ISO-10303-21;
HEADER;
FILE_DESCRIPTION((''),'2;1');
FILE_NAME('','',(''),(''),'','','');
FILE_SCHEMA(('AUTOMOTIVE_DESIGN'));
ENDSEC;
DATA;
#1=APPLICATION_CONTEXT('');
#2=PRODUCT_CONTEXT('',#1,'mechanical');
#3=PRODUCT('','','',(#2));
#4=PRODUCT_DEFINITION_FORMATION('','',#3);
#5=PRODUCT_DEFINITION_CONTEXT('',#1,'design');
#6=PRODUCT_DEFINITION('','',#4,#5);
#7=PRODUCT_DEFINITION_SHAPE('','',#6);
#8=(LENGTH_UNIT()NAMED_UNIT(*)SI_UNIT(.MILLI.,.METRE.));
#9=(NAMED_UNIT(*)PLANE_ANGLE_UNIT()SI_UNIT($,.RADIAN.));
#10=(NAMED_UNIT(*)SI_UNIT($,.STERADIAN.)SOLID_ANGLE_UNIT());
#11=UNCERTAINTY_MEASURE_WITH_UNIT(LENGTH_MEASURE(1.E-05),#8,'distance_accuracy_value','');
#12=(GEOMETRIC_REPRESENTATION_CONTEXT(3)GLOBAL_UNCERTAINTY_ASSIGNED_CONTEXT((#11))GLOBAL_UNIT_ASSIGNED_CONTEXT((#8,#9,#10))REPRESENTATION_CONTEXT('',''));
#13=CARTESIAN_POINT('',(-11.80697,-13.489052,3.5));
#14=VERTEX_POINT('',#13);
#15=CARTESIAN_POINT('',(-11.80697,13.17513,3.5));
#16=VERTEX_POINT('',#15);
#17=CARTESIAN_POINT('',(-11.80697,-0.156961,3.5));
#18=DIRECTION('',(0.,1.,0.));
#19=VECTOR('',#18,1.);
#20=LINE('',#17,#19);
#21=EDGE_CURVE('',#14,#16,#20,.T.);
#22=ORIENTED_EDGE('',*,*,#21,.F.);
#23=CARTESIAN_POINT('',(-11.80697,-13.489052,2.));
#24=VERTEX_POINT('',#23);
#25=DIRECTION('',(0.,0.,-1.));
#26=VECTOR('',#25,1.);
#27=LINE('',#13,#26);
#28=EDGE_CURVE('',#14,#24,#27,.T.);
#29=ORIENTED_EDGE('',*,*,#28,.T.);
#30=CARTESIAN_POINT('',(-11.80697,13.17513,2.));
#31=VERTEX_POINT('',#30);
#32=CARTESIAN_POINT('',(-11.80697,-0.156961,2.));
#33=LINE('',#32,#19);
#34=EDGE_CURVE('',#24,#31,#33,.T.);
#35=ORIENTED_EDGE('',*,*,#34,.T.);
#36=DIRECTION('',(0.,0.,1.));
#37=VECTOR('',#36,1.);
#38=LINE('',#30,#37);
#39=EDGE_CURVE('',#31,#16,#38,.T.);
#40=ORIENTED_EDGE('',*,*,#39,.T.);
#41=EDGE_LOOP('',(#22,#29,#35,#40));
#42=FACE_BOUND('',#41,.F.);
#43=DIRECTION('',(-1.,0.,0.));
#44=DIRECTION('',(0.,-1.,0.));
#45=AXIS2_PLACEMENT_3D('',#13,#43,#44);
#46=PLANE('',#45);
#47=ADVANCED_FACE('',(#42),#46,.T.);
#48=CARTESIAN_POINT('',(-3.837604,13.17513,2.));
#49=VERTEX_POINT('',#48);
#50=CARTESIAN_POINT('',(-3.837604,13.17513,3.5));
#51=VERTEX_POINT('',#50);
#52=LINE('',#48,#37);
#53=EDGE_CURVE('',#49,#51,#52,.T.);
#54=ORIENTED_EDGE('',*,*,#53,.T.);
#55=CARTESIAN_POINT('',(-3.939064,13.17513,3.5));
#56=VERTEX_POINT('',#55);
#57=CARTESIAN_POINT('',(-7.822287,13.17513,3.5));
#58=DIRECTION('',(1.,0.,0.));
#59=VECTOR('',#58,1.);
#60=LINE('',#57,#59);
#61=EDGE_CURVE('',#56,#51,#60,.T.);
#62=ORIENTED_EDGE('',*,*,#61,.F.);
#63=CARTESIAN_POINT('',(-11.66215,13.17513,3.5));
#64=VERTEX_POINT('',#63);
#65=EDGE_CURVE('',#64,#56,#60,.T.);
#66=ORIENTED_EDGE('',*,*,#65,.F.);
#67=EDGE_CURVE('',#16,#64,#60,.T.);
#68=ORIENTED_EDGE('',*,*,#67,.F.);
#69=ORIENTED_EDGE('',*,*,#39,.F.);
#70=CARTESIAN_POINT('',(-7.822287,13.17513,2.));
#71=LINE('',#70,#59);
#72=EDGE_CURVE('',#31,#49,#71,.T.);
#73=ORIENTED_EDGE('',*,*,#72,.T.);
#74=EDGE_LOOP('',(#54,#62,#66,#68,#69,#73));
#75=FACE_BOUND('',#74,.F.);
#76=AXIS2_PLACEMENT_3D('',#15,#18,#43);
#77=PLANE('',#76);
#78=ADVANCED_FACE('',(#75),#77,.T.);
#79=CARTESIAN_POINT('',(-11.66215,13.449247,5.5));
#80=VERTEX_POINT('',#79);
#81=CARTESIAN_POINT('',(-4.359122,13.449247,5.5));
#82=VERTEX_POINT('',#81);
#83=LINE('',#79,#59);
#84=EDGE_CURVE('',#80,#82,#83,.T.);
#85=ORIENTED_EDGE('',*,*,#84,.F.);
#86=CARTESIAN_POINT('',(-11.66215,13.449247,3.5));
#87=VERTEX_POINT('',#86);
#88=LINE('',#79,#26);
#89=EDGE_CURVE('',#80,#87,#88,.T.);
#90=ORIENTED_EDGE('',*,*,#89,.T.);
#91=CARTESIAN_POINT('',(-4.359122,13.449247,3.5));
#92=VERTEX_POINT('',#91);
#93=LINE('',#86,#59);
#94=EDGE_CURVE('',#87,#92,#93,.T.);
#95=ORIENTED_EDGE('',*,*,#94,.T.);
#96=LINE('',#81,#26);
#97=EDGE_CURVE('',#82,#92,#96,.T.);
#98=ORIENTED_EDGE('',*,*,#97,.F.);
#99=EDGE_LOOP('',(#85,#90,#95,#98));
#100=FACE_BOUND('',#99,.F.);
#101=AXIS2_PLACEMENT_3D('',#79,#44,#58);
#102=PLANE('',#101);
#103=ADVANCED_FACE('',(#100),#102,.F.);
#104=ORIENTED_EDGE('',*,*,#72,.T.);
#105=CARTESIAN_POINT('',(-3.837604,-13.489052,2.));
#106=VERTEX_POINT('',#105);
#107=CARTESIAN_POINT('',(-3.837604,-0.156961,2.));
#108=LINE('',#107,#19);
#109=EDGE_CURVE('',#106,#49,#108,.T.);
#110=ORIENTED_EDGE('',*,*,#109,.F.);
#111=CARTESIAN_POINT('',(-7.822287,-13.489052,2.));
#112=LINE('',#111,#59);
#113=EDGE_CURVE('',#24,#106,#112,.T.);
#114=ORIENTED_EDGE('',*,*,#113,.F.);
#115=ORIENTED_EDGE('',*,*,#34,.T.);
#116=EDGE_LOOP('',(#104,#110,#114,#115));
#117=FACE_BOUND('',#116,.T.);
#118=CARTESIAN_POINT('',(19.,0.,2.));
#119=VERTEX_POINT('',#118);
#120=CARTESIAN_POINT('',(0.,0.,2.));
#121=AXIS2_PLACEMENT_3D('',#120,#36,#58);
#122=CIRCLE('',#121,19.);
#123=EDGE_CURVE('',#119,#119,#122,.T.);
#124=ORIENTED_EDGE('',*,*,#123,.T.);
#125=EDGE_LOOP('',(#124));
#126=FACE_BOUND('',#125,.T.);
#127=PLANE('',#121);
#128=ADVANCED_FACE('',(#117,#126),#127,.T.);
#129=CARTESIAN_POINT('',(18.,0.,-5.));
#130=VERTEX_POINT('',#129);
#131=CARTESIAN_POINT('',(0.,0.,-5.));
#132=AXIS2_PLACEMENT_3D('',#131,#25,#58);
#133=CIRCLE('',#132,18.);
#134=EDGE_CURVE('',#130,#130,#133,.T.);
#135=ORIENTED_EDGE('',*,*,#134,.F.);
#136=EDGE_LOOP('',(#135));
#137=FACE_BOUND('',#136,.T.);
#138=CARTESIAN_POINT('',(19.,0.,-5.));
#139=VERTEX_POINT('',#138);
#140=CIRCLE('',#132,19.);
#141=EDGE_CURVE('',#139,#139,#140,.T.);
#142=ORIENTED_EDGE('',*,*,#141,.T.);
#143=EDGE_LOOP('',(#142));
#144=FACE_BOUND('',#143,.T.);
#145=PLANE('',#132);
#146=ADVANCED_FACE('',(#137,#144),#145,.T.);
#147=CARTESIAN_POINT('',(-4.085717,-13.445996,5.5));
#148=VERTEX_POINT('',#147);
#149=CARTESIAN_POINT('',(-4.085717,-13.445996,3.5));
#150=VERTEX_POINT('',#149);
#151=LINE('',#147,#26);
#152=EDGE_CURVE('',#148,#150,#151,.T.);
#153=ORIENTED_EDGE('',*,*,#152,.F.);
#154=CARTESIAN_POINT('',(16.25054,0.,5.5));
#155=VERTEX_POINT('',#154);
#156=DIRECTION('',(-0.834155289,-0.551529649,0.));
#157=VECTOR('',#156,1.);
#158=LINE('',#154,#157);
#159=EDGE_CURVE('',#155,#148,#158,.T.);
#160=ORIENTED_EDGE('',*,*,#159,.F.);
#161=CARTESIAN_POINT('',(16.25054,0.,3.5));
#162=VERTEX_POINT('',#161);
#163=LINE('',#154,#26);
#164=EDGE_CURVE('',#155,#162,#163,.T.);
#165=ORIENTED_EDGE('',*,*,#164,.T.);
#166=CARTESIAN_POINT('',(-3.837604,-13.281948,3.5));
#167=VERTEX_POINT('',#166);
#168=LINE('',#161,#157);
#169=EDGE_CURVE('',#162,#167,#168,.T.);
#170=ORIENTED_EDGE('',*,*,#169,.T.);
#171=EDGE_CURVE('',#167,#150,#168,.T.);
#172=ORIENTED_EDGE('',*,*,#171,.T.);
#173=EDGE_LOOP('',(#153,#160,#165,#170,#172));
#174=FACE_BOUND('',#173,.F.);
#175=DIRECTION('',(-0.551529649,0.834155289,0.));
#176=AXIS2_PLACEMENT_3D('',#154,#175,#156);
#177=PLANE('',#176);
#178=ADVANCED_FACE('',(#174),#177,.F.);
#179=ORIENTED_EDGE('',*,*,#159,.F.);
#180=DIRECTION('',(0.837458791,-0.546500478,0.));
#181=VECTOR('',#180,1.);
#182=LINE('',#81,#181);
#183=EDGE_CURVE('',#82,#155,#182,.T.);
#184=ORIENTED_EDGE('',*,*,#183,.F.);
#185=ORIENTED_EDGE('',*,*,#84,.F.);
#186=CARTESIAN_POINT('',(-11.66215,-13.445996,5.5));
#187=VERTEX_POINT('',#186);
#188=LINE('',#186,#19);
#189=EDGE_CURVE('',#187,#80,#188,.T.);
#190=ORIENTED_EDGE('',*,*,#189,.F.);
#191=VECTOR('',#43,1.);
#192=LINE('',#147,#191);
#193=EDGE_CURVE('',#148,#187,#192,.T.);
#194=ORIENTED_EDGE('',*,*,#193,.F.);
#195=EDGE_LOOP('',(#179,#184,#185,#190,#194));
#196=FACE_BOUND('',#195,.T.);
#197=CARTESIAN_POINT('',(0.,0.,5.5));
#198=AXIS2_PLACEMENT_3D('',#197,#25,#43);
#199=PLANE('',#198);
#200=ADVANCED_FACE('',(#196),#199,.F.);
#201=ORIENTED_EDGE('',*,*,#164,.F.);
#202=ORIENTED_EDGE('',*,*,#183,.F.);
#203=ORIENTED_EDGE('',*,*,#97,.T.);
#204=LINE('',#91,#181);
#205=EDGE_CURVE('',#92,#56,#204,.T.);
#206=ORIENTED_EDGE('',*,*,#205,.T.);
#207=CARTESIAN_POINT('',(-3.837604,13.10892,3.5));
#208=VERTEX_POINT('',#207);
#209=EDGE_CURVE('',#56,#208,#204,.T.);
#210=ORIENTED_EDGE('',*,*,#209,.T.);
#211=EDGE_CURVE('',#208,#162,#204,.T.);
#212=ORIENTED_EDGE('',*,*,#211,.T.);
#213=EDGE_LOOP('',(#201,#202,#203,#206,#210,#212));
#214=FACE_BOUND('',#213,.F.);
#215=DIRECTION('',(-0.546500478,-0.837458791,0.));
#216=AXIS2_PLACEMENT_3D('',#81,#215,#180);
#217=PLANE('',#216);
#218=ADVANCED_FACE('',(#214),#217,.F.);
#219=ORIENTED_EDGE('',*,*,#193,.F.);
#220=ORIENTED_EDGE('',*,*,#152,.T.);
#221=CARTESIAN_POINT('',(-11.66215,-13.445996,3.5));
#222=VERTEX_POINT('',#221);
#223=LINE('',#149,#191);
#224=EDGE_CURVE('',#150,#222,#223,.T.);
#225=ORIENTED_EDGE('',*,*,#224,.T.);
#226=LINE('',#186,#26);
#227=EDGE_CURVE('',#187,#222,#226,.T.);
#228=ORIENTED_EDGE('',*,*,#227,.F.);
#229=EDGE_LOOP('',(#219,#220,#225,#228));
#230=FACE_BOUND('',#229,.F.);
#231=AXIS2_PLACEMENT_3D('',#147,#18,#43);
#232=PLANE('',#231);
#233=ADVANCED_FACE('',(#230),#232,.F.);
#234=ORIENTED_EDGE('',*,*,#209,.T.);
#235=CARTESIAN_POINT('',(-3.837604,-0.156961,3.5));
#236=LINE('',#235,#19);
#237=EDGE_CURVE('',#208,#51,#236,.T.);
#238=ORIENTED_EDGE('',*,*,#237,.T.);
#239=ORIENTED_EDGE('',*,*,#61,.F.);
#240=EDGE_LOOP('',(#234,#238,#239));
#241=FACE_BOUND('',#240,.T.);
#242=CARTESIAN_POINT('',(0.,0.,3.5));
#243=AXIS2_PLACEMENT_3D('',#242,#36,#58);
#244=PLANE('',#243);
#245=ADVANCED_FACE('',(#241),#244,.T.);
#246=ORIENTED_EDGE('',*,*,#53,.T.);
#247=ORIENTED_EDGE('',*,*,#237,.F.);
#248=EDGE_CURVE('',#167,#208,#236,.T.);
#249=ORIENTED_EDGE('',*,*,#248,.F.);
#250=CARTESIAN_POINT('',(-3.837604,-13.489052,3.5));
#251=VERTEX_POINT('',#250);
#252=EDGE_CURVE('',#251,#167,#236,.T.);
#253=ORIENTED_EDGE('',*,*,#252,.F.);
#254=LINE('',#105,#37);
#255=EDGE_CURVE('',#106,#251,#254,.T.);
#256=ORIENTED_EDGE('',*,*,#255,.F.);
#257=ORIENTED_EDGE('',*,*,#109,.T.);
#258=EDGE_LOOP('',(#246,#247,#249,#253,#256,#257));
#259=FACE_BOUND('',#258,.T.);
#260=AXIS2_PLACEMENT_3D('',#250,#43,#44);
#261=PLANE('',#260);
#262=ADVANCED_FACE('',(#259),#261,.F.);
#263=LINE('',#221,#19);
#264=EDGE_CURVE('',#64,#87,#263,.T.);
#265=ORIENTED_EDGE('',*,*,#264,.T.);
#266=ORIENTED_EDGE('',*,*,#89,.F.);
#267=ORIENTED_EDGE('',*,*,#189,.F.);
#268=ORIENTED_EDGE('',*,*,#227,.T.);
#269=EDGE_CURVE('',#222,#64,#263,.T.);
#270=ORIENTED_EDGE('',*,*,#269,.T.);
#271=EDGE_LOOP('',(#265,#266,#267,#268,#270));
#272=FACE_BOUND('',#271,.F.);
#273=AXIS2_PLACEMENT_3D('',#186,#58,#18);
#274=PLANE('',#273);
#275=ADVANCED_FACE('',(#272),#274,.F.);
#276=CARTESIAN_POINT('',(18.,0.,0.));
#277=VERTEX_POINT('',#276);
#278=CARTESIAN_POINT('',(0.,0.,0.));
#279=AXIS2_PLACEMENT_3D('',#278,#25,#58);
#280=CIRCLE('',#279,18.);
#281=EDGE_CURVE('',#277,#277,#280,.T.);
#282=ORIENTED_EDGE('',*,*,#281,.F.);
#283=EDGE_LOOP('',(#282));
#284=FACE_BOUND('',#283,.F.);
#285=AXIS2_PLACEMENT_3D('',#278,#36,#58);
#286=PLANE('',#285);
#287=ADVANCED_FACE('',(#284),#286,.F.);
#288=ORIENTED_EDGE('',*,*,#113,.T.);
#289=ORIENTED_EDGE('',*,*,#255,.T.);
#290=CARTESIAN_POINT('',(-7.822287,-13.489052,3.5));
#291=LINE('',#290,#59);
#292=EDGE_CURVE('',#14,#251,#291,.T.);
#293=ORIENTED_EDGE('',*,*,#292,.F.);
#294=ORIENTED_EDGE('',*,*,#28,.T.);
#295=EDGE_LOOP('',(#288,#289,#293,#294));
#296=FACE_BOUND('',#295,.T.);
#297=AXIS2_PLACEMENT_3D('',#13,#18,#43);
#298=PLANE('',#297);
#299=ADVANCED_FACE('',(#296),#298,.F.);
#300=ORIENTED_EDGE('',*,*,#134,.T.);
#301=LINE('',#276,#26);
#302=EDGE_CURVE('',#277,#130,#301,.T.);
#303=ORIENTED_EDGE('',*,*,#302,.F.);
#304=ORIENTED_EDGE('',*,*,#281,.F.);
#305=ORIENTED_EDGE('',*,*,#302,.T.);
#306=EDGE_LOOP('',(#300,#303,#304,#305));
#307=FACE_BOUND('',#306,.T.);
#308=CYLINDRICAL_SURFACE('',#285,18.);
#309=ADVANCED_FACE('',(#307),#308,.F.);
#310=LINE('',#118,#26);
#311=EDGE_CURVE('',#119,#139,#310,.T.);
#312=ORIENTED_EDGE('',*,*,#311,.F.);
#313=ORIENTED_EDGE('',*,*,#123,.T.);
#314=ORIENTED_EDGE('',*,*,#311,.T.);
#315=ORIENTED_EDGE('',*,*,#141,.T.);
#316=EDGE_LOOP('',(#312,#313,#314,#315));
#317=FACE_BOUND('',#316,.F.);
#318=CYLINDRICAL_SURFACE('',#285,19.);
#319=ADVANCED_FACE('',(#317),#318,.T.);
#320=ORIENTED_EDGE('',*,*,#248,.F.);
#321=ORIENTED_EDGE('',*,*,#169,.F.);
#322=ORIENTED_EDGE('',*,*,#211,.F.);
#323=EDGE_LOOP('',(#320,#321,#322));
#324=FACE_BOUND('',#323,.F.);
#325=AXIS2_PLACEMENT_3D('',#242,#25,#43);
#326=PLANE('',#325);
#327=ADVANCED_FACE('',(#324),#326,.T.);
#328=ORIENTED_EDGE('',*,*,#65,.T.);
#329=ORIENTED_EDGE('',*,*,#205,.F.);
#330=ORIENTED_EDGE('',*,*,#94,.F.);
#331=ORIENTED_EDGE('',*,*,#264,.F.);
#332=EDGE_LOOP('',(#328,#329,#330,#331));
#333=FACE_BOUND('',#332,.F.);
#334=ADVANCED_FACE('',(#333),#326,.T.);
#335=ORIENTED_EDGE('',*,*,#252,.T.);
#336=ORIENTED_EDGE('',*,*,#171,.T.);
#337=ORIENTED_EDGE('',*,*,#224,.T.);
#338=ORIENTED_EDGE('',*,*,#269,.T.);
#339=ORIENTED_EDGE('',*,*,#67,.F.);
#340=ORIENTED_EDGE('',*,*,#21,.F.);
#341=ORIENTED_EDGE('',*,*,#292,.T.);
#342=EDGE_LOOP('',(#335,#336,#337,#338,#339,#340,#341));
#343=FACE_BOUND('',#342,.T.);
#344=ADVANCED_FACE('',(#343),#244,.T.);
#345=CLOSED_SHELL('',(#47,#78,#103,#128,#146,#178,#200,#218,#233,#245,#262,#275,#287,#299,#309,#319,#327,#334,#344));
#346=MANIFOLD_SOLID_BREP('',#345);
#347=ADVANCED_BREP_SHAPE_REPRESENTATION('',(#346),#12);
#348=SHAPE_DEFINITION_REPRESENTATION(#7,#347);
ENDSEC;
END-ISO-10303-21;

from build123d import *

# Parameters (mm, degrees)
F0_R     = 19
F1_DEPTH = 2
F2_W     = 7.969366
F2_H     = 26.664181
F3_DEPTH = 0.75
F5_R     = 19
F6_DEPTH = 2
F7_R     = 19
F7_R_2   = 18
F8_DEPTH = 5


with BuildPart() as f1:
    # F0 (on Top) → F1 (new body)
    with BuildSketch(Plane.XY):
        Circle(F0_R)
    extrude(amount=F1_DEPTH)

    # F2 (on face) → F3 (join)
    with BuildSketch(Plane.XY.offset(2)):
        with Locations((-7.822287, -0.156961)):
            Rectangle(F2_W, F2_H)
    extrude(amount=F3_DEPTH)

    # F4: F1 across face


with BuildPart() as f1_1:
    add(f1.part)
    add(f1.part.mirror(Plane(origin=(-7.822287, -0.156961, 2.75), x_dir=(1, 0, 0), z_dir=(0, 0, 1))))

    # F5 (on face) → F6 (cut)
    with BuildSketch(Plane.XY.offset(5.5)):
        Circle(F5_R)
        Polygon((-4.359122, 13.449247), (16.25054, 0), (-4.085717, -13.445996), (-11.66215, -13.445996), (-11.66215, 13.449247), align=None, mode=Mode.SUBTRACT)
    extrude(amount=-F6_DEPTH, mode=Mode.SUBTRACT)

    # F7 (on face) → F8 (join)
    with BuildSketch(Plane(origin=(0, 0, 0), x_dir=(1, 0, 0), z_dir=(0, 0, -1))):
        Circle(F7_R)
        Circle(F7_R_2, mode=Mode.SUBTRACT)
    extrude(amount=F8_DEPTH)


solid = f1_1.part
